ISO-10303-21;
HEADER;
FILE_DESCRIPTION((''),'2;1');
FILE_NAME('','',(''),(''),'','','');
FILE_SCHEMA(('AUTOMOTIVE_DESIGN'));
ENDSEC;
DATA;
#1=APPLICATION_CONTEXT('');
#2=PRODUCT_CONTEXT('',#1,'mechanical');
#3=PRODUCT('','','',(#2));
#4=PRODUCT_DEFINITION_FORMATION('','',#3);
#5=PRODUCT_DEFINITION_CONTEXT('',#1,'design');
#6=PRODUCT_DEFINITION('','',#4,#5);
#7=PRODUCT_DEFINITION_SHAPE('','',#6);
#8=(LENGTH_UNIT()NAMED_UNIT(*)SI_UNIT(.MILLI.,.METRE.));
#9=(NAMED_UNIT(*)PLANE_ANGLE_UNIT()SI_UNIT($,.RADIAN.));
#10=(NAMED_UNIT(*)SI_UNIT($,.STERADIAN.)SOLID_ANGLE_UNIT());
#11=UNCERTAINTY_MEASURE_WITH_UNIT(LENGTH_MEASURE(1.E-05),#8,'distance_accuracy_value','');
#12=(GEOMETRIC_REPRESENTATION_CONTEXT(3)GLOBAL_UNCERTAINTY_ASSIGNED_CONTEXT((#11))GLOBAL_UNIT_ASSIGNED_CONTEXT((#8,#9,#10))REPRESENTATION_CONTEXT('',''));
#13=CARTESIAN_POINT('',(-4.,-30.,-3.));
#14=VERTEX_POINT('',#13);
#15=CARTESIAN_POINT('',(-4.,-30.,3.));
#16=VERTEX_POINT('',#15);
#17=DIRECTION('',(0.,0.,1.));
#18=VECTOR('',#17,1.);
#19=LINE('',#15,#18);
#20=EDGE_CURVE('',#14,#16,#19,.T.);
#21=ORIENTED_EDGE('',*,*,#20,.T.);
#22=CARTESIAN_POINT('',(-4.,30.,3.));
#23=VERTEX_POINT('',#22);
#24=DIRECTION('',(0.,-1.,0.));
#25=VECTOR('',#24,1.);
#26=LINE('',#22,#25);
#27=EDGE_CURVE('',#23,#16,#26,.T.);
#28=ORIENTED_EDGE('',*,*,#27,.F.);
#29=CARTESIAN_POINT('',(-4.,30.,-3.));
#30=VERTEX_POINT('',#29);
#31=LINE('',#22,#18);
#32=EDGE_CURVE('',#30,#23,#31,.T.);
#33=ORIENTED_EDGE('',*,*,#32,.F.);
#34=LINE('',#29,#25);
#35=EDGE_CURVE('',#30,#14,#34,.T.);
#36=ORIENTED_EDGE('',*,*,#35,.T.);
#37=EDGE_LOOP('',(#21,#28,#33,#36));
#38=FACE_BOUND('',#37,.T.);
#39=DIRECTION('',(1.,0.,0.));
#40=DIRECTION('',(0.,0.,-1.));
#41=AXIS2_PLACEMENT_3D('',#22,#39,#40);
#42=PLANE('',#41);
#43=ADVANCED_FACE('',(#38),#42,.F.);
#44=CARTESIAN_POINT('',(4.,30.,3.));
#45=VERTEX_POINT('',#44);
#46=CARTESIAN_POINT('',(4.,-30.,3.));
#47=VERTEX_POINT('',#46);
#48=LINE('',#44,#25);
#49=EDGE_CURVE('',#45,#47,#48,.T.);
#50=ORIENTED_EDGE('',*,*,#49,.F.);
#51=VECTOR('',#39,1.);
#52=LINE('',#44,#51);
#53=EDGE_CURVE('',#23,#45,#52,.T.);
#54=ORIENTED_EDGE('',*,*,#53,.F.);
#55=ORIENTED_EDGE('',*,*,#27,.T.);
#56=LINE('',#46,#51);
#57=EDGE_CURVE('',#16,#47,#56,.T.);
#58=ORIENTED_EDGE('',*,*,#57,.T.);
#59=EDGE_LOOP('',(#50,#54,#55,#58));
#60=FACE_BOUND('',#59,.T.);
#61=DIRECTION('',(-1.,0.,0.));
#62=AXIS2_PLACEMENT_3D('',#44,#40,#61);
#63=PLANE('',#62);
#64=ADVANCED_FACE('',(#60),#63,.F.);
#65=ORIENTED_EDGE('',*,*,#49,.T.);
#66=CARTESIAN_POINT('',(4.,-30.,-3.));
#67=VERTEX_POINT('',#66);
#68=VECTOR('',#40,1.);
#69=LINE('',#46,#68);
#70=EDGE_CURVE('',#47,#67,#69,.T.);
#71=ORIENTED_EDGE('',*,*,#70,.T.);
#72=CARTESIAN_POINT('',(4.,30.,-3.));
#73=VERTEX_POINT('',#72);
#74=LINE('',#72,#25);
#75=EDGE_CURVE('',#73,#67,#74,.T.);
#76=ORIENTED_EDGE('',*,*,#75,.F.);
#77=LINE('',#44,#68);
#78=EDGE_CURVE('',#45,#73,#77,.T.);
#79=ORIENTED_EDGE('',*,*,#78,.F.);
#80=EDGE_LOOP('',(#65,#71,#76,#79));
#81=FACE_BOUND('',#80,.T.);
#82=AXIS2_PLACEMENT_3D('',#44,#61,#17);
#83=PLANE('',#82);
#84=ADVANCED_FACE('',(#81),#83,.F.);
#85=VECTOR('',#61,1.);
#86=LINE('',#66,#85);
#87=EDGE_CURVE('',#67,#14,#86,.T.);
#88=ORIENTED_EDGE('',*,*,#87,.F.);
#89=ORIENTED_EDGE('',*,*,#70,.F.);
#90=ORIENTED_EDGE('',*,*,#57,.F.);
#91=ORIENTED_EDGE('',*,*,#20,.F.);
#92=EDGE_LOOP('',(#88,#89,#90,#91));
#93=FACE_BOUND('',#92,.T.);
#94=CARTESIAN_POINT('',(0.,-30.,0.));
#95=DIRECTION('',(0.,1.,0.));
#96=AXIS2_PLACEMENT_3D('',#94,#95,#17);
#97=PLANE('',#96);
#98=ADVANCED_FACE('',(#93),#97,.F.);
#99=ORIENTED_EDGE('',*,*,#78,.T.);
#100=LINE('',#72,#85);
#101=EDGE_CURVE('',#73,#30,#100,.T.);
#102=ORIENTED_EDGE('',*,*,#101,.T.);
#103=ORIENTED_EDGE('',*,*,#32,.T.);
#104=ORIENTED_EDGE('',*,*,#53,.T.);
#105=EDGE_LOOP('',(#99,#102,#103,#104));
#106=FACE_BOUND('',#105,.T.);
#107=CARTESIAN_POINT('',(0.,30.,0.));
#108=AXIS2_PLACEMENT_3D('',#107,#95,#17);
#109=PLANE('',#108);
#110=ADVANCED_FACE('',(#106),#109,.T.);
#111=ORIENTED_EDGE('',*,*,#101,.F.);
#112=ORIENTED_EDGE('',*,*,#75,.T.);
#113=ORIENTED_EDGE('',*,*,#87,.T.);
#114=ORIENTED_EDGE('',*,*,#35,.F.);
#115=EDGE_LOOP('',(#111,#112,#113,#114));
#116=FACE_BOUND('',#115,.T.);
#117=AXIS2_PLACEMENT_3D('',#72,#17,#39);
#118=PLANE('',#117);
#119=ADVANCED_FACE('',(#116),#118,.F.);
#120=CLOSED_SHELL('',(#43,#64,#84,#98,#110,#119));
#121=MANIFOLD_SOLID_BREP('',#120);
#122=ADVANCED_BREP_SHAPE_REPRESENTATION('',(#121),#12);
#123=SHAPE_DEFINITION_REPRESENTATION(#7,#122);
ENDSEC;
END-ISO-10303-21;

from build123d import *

# Parameters (mm, degrees)
SKETCH1_W           = 8
SKETCH1_H           = 6
BOSS_EXTRUDE1_DEPTH = 30


with BuildPart() as part:
    # Sketch1 → Boss-Extrude1 (new, symmetric)
    with BuildSketch(Plane(origin=(0, 0, 0), x_dir=(-1, 0, 0), z_dir=(0, 1, 0))):
        Rectangle(SKETCH1_W, SKETCH1_H)
    extrude(amount=BOSS_EXTRUDE1_DEPTH, both=True)


solid = part.part
